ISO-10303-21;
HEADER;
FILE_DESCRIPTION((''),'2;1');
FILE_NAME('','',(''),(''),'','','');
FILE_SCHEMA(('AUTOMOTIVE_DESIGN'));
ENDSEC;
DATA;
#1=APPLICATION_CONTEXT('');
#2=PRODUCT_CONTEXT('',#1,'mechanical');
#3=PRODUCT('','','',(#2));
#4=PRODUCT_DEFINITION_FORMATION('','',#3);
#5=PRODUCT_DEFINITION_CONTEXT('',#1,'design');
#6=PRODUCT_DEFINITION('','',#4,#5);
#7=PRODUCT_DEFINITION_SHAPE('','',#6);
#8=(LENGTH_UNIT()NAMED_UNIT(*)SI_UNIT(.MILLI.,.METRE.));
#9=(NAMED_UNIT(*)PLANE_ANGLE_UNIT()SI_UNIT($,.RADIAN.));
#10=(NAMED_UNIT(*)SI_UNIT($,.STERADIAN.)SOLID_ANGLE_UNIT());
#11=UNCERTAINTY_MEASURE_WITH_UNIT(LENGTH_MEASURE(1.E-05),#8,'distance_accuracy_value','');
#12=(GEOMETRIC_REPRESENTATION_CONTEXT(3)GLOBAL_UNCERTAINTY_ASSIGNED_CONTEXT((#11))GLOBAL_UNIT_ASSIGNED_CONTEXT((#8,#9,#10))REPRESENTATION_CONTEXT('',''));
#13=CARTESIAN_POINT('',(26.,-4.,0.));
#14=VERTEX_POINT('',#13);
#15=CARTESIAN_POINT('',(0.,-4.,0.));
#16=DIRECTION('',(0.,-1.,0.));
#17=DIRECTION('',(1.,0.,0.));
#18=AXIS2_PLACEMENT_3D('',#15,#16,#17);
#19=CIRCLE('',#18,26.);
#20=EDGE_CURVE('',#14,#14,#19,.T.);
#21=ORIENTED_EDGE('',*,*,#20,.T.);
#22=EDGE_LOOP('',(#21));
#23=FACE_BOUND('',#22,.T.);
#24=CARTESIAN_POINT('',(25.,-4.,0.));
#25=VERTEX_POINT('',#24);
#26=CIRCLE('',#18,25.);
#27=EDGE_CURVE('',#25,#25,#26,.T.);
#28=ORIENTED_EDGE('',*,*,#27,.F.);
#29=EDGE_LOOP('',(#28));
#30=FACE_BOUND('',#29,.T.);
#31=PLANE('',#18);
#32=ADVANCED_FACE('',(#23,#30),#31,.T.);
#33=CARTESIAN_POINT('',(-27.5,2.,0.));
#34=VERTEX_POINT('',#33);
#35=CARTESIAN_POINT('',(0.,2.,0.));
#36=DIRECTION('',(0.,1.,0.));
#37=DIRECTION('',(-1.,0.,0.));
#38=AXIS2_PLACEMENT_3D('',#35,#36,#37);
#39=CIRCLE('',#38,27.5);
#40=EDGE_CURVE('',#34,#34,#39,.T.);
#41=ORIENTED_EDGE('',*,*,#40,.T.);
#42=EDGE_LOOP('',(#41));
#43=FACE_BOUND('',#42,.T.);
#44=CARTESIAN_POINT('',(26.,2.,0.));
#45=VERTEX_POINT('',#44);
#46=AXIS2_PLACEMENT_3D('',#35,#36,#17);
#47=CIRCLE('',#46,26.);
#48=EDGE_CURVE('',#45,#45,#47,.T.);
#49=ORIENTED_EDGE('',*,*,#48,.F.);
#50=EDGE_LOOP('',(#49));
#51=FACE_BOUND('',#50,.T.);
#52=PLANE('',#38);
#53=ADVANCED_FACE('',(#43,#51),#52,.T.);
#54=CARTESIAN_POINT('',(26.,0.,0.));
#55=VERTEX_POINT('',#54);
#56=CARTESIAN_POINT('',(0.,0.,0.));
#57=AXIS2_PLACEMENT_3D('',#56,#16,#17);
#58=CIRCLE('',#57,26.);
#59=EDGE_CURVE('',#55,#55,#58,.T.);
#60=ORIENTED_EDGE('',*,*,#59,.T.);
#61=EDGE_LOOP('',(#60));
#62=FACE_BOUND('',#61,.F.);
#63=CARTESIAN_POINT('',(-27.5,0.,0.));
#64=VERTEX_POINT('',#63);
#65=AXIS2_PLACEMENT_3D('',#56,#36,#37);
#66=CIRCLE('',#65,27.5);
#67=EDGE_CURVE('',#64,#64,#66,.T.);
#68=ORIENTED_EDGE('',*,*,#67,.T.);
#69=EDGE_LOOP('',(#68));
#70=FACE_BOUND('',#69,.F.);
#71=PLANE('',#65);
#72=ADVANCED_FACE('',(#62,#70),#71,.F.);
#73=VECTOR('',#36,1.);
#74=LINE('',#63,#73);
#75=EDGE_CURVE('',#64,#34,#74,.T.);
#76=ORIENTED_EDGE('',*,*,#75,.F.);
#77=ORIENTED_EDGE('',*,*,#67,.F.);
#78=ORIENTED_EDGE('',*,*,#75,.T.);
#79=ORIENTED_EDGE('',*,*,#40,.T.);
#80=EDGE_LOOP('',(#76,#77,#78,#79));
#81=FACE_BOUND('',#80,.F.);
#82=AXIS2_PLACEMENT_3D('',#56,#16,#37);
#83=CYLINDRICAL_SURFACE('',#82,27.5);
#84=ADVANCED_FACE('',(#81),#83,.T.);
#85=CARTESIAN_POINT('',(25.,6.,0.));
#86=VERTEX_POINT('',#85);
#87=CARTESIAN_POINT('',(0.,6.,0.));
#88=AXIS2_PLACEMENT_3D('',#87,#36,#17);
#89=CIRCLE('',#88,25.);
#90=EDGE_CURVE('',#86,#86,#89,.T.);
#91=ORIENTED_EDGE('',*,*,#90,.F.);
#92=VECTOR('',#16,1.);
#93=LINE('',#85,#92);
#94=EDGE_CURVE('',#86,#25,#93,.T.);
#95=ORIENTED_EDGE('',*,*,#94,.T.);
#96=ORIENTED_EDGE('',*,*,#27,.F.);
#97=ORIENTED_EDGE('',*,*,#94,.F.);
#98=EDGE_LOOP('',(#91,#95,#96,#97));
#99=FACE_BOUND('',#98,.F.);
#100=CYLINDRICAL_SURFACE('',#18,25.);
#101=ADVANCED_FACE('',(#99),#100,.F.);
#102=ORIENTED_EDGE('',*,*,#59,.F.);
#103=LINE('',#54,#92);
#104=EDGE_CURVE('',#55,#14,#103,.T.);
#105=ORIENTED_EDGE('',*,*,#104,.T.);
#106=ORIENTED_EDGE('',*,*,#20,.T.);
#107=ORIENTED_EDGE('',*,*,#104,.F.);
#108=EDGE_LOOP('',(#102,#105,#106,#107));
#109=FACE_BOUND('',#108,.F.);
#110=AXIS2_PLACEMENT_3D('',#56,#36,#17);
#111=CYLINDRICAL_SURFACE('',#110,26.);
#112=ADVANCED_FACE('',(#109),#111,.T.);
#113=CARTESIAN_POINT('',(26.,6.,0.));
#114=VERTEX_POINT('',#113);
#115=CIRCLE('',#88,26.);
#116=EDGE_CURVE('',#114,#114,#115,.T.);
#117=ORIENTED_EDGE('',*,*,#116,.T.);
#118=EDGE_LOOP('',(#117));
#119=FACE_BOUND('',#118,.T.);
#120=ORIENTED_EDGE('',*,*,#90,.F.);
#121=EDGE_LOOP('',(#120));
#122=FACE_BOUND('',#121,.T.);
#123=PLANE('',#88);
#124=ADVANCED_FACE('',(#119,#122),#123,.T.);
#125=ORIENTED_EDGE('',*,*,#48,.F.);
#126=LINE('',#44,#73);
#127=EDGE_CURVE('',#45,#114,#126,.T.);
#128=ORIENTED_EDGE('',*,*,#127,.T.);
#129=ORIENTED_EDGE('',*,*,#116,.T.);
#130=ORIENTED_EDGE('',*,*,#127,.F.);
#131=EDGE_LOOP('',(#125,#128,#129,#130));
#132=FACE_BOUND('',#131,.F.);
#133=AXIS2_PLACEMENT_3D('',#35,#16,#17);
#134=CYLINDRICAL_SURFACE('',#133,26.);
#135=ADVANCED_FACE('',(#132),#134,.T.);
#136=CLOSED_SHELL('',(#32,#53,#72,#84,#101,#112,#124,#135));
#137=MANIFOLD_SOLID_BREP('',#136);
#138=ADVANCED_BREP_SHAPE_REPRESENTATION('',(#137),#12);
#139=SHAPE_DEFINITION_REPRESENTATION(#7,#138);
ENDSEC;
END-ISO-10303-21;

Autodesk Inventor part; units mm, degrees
ref_plane "YZ Plane" through (0, 0, 0) normal (1, 0, 0) x (0, 1, 0)
ref_plane "XZ Plane" through (0, 0, 0) normal (0, 1, 0) x (-1, 0, 0)
ref_plane "XY Plane" through (0, 0, 0) normal (0, 0, 1) x (1, 0, 0)
sketch "Sketch5" plane through (0, 0, 0) normal (0, 1, 0) x (-1, 0, 0)
  circle A0 centre (0, 0) radius 27.5
  dimension "d18" = 55
extrude "Extrusion5" add sketch "Sketch5" along normal blind 2
sketch "Sketch6" plane through (0, 2, 0) normal (0, 1, 0) x (1, 0, 0)
  circle A0 centre (0, 0) radius 26
  dimension "d21" = 52
extrude "Extrusion6" add sketch "Sketch6" along normal blind 4
sketch "Sketch7" plane through (0, 6, 0) normal (0, 1, 0) x (1, 0, 0)
  circle A0 centre (0, 0) radius 25
  dimension "d24" = 50
extrude "Extrusion7" cut sketch "Sketch7" against normal through all
thread "Thread4" size "M52x1.5" class "6g" standard "ISO Metric profile" full length
sketch "Sketch8" plane through (0, 0, 0) normal (0, -1, 0) x (1, 0, 0)
  circle A0 centre (0, 0) radius 26
  dimension "d29" = 52
extrude "Extrusion8" add sketch "Sketch8" along normal blind 4
sketch "Sketch9" plane through (0, -4, 0) normal (0, -1, 0) x (1, 0, 0)
  circle A0 centre (0, 0) radius 25
  dimension "d32" = 50
extrude "Extrusion9" cut sketch "Sketch9" against normal blind 4
thread "Thread5" size "M52x1.5" class "6g" standard "ISO Metric profile" full length
properties part number "77mm to 52mm" material "Aluminum 6061-AHC"
